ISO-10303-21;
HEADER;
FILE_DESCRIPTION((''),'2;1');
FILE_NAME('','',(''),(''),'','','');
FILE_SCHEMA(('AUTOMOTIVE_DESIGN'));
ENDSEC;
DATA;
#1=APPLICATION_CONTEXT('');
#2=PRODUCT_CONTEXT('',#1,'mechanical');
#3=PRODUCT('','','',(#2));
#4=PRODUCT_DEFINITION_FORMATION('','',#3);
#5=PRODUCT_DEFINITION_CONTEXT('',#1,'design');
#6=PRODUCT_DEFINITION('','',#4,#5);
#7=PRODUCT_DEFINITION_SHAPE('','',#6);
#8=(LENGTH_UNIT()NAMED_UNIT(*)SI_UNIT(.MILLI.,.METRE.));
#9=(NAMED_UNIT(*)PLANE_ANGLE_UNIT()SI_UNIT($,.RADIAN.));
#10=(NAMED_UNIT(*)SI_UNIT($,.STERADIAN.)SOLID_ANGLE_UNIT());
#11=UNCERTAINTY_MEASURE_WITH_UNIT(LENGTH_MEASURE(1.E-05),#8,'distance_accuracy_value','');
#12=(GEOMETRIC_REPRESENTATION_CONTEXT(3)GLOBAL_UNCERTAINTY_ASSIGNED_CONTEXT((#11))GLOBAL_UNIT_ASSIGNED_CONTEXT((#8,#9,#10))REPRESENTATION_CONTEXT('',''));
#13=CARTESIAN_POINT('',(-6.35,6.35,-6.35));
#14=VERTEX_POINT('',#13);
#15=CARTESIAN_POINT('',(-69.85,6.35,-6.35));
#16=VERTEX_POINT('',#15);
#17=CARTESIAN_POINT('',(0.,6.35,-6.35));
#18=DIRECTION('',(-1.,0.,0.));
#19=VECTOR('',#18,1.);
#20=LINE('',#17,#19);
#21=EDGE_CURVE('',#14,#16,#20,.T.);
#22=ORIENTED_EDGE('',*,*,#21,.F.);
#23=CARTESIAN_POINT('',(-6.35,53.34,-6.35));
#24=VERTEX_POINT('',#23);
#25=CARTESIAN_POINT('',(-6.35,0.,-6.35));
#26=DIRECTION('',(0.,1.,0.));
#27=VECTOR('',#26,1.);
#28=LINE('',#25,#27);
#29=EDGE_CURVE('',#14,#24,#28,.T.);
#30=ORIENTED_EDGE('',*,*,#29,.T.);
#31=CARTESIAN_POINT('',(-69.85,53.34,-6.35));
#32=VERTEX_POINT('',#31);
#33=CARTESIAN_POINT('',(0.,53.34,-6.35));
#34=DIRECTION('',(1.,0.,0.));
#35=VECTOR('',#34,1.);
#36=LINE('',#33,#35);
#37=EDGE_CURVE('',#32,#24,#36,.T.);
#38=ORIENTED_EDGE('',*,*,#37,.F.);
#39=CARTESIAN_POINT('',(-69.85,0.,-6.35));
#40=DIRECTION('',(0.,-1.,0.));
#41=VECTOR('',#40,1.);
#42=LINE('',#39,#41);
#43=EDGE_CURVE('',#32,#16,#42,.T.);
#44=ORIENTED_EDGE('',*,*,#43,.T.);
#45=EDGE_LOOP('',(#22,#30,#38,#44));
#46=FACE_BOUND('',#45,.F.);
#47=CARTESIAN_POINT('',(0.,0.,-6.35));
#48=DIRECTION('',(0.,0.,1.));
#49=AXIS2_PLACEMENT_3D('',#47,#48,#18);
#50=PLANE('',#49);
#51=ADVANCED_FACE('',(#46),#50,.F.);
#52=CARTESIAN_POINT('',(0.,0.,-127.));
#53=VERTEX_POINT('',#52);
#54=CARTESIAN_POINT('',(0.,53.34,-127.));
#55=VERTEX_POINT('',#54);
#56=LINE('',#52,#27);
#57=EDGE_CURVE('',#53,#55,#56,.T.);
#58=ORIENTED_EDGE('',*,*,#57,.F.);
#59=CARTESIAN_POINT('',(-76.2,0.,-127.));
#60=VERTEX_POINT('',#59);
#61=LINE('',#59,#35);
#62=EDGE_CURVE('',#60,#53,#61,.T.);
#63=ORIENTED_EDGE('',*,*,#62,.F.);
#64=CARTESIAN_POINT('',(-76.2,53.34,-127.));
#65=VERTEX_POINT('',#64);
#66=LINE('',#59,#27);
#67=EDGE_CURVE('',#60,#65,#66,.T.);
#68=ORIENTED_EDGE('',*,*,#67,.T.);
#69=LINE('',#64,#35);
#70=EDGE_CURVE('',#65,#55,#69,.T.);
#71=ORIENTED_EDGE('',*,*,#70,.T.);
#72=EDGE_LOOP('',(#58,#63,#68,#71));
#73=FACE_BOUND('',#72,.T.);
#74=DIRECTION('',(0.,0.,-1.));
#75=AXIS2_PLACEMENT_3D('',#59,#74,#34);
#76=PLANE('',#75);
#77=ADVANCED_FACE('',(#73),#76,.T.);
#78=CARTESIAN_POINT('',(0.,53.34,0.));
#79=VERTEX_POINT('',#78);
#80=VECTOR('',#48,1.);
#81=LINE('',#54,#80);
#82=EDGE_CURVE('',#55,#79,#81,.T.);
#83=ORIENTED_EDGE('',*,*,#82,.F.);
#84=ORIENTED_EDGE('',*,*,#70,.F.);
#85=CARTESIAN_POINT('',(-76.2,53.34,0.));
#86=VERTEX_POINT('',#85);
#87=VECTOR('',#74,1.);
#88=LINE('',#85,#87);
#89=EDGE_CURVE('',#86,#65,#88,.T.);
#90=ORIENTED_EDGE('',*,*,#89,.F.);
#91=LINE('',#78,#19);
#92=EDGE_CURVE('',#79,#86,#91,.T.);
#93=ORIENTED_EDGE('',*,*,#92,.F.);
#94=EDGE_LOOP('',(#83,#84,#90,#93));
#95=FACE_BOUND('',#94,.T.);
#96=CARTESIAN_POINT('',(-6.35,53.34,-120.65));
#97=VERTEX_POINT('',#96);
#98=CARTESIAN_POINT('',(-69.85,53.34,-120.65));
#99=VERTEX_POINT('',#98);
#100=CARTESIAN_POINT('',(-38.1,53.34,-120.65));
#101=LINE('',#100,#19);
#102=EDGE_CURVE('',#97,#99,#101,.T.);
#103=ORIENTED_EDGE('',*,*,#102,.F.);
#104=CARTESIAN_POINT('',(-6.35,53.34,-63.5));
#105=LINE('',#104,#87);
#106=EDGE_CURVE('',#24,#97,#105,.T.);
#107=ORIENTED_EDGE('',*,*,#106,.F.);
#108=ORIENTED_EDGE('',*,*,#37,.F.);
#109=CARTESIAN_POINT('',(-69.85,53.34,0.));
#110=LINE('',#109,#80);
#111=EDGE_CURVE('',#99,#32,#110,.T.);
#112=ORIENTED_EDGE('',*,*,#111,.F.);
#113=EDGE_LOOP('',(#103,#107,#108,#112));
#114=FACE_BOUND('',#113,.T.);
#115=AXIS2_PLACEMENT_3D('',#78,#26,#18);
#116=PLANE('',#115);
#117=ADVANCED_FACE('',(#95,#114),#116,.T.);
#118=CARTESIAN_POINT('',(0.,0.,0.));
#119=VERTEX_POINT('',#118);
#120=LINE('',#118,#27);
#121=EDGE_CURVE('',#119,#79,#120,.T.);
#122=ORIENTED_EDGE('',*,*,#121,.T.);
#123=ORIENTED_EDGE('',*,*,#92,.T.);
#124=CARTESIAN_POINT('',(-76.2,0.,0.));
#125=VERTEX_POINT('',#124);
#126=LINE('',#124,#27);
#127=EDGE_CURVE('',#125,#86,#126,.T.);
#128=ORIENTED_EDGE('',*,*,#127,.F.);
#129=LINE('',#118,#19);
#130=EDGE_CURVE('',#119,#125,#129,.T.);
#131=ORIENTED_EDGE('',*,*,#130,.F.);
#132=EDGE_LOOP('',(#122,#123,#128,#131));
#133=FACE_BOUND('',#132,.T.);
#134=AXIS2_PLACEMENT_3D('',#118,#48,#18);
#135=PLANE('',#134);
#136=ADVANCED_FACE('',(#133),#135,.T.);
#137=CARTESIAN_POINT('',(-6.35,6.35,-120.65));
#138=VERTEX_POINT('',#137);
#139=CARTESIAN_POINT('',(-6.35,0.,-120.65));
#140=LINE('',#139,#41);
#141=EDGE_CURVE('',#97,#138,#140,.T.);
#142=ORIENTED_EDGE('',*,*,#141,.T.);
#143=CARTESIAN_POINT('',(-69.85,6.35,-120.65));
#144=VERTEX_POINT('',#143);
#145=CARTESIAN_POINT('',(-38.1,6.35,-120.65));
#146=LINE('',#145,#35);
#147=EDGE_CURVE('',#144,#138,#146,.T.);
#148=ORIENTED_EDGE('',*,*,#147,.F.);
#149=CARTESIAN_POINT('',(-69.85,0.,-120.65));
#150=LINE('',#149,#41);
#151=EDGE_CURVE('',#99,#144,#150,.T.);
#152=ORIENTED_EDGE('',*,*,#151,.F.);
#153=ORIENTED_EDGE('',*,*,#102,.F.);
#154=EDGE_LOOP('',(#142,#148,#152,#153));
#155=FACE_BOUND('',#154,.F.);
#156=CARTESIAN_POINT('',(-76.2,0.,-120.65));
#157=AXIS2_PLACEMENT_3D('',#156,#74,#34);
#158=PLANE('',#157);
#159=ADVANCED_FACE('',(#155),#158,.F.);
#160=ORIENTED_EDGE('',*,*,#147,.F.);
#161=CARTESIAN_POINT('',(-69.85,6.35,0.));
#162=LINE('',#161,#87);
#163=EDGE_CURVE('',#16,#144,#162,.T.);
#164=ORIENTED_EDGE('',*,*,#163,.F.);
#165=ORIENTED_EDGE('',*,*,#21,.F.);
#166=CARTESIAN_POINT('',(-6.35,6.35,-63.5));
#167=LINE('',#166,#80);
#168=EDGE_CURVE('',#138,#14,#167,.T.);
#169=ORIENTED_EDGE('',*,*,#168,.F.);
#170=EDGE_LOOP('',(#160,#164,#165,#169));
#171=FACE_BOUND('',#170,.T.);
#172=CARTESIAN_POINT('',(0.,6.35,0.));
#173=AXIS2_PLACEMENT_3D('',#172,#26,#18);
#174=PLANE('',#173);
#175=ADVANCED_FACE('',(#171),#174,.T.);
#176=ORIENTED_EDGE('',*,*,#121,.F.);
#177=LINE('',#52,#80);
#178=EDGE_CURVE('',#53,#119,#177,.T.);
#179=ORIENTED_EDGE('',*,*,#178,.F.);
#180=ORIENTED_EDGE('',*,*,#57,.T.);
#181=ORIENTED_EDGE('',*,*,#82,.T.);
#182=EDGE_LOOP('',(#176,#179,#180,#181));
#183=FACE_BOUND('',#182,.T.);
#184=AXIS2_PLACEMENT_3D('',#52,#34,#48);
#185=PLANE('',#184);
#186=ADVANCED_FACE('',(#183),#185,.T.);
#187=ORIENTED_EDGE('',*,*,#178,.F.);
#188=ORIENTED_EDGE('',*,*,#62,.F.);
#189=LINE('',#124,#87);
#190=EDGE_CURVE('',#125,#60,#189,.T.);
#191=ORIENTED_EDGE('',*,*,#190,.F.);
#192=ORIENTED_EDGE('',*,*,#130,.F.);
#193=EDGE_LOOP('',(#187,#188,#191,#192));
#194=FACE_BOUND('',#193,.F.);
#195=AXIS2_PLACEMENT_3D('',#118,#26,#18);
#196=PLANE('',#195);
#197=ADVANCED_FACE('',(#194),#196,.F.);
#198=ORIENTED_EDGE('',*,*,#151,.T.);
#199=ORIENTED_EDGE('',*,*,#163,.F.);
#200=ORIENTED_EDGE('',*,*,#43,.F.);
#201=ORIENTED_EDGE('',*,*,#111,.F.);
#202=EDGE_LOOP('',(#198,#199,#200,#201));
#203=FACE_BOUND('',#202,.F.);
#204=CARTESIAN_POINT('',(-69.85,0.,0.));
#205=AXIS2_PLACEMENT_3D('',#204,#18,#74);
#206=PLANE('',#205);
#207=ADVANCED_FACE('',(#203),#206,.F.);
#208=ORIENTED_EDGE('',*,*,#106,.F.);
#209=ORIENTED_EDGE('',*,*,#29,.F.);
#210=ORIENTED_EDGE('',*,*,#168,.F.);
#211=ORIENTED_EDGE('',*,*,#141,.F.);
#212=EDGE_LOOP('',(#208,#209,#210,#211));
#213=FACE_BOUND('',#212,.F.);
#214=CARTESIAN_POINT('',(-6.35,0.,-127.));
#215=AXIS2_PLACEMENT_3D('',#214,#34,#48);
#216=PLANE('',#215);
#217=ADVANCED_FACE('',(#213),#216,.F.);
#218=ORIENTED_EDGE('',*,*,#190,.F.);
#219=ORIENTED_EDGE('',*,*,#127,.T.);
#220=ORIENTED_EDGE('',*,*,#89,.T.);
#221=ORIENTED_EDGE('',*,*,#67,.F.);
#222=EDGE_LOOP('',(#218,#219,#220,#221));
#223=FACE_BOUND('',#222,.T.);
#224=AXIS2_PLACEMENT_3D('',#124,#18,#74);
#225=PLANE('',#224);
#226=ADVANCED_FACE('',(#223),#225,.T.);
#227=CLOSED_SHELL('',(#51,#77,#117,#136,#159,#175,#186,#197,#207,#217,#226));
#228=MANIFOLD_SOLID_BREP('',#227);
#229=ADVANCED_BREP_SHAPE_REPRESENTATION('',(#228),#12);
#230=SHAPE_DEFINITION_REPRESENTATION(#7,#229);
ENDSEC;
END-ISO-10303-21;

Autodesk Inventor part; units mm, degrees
ref_plane "YZ Plane" through (0, 0, 0) normal (1, 0, 0) x (0, 1, 0)
ref_plane "XZ Plane" through (0, 0, 0) normal (0, 1, 0) x (-1, 0, 0)
ref_plane "XY Plane" through (0, 0, 0) normal (0, 0, 1) x (1, 0, 0)
sketch "Sketch1" plane through (0, 0, 0) normal (0, 1, 0) x (-1, 0, 0)
  line L0 (0, 0) -> (76.2, 0)
  line L1 (76.2, 0) -> (76.2, -127)
  line L2 (76.2, -127) -> (0, -127)
  line L3 (0, -127) -> (0, 0)
  dimension "d0" = 76.2
  dimension "d1" = 127
extrude "Extrusion1" add sketch "Sketch1" along normal blind 53.34
shell "Shell1" thickness 6.35 removed faces 1 at (-50.8, 53.34, -84.6667)
equation "\"d0\" = width"
equation "\"d1\" = length"
equation "\"d2\" = height"
equation "\"d4\" = material"
equation "\"length\" = 127"
equation "\"width\" = 76.2"
equation "\"height\" = 53.34"
equation "\"material\" = 6.35"
properties part number "paraBox"
